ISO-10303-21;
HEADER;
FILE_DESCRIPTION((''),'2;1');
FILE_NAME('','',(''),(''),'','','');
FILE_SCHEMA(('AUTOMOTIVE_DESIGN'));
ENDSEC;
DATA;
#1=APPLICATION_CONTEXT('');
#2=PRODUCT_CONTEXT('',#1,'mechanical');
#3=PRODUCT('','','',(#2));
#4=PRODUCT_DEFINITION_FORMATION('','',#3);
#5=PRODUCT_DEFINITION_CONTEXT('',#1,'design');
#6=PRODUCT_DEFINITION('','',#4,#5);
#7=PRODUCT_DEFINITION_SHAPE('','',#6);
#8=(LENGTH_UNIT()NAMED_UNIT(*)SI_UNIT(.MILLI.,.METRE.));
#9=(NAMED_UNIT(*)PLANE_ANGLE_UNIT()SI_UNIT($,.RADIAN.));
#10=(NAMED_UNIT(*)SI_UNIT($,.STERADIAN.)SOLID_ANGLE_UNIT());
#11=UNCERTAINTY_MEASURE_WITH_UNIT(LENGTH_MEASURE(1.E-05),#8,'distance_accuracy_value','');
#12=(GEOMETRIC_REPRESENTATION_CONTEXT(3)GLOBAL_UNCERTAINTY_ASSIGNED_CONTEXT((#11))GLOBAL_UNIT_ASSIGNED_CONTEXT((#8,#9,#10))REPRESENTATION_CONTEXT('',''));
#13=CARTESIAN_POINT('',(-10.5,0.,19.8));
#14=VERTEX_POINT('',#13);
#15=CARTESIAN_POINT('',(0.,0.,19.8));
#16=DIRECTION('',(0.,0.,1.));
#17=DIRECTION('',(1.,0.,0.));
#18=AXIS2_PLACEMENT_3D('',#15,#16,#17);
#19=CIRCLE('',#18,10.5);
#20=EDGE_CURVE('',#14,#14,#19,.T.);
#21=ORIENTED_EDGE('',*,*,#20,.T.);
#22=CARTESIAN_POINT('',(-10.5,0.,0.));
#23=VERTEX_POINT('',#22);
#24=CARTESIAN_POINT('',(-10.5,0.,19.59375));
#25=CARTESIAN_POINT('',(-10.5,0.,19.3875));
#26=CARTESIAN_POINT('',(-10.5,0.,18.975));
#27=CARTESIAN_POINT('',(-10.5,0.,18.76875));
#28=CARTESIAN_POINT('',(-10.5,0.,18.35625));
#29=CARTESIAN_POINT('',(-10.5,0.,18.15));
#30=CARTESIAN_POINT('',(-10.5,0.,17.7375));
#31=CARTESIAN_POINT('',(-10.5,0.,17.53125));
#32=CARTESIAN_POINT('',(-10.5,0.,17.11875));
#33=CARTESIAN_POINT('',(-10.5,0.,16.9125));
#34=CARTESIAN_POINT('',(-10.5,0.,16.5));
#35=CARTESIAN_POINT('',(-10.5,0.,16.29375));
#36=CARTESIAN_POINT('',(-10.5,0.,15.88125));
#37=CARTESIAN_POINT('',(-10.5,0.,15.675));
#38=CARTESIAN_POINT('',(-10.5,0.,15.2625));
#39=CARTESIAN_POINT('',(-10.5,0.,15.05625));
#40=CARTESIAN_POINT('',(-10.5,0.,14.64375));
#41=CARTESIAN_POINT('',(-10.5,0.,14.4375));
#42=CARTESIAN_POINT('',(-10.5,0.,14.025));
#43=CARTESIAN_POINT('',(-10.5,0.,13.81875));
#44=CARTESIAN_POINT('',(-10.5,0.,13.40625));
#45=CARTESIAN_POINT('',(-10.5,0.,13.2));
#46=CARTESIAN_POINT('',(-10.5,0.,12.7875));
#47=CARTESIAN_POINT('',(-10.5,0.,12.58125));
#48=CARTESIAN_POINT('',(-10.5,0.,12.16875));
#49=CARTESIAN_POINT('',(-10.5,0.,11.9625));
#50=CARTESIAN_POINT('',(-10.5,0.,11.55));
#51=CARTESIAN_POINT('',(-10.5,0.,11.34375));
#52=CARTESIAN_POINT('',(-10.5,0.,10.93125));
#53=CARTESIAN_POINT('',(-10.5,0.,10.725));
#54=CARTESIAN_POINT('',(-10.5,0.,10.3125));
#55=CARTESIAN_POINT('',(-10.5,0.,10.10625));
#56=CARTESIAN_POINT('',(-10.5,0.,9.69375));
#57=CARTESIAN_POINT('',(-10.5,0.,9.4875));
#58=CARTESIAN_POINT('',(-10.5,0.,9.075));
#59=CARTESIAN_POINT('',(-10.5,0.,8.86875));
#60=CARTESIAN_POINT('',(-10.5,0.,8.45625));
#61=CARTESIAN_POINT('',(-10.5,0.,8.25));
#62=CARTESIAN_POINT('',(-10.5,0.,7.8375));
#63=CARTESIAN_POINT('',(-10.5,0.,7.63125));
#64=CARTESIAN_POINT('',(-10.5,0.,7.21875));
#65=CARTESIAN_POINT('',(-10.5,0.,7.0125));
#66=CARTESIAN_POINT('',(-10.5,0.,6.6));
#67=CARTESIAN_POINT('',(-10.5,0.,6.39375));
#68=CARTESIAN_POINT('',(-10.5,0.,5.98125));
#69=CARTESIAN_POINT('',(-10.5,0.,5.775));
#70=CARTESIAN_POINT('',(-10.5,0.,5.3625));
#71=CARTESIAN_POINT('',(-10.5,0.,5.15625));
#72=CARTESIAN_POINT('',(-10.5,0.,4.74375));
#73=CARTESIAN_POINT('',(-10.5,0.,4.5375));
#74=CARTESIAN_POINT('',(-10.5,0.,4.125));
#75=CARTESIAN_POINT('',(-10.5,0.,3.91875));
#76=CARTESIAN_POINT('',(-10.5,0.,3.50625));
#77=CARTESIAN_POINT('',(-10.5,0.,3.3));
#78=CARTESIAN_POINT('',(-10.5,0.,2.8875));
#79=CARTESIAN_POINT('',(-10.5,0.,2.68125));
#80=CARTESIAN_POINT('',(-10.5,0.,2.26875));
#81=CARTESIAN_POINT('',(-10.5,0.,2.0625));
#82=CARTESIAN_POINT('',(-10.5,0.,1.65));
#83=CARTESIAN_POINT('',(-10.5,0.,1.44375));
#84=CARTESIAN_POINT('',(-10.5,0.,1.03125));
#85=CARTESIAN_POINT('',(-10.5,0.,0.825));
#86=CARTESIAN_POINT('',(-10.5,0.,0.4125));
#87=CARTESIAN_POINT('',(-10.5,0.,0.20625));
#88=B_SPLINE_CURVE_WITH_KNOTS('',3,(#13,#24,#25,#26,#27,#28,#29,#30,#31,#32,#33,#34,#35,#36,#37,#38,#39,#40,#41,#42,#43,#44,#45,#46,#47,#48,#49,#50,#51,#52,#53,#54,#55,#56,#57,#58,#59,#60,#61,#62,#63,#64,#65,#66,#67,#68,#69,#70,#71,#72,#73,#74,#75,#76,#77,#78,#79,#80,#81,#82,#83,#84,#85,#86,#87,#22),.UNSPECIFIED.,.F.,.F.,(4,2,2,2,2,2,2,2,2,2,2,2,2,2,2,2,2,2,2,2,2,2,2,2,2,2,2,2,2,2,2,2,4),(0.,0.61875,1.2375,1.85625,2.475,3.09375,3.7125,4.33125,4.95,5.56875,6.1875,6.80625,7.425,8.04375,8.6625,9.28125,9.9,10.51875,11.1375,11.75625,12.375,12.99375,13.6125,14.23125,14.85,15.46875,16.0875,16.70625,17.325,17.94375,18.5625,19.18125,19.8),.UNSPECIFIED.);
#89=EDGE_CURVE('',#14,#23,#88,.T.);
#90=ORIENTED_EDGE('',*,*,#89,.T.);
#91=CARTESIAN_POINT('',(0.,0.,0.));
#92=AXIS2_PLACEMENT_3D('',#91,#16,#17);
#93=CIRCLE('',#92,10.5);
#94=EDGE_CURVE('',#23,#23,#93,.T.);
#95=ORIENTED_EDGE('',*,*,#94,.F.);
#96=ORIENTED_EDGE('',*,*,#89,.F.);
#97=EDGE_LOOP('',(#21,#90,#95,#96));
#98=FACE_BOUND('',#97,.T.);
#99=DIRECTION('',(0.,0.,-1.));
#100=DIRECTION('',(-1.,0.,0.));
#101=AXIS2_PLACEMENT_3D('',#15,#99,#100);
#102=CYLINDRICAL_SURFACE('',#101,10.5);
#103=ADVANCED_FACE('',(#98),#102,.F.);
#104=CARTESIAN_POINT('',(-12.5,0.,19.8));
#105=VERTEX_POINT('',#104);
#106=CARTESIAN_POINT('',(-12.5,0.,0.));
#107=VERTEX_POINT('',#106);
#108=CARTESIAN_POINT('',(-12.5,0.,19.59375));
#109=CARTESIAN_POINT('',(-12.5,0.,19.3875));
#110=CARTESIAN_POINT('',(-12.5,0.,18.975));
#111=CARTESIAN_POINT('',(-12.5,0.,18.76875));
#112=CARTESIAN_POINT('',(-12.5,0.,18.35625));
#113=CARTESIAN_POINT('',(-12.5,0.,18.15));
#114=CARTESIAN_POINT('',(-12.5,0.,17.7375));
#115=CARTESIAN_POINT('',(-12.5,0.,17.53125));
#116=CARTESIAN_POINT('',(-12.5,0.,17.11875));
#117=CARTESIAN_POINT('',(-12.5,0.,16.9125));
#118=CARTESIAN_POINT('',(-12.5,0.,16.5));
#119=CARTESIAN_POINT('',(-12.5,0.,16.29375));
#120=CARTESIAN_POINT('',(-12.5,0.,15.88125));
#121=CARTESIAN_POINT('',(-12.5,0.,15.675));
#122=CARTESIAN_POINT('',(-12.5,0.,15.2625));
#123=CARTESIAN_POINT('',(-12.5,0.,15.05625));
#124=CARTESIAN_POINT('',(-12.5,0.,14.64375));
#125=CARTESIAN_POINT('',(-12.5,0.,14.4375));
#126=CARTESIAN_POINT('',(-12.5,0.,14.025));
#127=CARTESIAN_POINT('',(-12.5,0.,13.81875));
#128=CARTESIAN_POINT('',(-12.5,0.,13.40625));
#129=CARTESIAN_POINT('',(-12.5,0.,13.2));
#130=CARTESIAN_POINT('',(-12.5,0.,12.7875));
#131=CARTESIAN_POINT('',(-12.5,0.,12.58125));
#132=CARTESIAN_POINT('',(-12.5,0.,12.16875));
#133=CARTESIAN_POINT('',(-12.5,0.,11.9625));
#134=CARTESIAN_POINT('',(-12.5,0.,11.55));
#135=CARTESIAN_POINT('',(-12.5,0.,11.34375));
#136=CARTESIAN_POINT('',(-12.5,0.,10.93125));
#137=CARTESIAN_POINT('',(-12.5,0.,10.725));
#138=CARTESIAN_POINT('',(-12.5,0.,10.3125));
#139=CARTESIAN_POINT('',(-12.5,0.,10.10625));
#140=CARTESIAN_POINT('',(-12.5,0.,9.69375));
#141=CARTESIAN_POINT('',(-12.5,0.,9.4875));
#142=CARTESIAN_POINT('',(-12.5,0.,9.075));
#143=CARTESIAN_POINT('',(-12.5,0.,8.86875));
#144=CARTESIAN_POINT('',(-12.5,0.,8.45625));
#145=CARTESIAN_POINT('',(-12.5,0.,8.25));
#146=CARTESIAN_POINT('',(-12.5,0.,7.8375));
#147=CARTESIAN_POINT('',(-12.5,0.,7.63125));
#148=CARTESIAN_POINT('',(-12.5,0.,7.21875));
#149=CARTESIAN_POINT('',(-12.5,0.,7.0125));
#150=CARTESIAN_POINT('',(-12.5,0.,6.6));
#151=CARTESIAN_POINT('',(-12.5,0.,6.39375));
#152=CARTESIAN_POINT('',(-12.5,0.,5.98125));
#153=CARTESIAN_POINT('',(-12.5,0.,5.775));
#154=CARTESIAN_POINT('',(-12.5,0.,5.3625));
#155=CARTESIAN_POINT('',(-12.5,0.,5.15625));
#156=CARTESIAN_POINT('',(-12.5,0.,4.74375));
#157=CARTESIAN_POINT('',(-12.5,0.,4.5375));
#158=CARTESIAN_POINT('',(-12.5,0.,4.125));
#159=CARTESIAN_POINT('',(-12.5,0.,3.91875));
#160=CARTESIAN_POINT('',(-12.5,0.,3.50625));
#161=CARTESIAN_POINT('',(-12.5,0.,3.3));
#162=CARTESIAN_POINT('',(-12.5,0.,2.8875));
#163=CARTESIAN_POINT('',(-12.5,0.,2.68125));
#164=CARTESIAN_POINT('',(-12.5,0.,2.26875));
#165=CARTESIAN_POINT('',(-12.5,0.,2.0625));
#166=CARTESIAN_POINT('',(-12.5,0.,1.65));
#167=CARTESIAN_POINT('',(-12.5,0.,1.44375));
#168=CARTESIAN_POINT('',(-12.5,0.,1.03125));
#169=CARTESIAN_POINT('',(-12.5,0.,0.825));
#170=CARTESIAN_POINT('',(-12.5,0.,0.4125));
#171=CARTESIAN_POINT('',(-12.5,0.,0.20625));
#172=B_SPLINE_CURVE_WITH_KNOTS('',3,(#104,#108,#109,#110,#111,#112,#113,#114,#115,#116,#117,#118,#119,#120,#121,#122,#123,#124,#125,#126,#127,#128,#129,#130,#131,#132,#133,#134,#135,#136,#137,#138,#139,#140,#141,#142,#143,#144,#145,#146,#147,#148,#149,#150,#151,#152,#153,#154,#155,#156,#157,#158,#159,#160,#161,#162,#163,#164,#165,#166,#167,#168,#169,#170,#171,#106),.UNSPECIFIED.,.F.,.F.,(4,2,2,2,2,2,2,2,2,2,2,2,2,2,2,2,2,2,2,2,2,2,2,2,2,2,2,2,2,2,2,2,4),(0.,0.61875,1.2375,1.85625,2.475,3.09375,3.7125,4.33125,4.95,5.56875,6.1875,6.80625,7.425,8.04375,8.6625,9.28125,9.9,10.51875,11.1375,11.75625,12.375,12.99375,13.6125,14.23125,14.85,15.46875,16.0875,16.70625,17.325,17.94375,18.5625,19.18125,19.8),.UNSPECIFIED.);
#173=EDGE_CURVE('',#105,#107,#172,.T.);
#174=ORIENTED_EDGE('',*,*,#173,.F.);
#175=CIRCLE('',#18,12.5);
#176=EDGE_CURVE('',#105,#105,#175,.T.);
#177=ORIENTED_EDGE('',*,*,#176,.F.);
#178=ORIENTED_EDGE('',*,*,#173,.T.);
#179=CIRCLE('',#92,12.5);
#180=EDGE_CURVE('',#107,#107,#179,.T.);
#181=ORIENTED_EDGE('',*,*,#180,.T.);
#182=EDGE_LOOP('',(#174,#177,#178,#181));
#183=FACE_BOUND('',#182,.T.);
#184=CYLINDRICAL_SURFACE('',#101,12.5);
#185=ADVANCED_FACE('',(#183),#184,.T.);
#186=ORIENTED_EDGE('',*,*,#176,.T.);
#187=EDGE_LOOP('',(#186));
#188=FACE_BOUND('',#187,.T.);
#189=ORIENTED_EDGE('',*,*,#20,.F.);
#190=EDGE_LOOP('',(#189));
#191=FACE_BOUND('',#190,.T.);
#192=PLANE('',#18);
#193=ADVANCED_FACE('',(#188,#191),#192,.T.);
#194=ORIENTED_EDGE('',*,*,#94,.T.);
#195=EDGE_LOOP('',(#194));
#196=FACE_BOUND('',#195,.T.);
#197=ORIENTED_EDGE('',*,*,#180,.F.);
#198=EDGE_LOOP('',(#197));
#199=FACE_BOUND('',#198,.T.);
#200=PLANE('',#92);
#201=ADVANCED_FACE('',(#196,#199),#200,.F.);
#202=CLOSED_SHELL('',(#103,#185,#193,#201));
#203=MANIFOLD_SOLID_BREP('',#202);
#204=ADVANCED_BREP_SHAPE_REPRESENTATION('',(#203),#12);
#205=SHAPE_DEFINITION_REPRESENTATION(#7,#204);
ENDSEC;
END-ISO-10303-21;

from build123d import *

# Parameters (mm, degrees)
ESBO_O1_R                = 12.5
ESBO_O1_R_2              = 10.5
RESSALTO_EXTRUS_O1_DEPTH = 19.8


with BuildPart() as part:
    # Esboço1 → Ressalto-extrusão1 (new body)
    with BuildSketch(Plane.XY):
        with Locations(Location((0, 0, 0), (0, 0, 180))):
            Circle(ESBO_O1_R)
        with Locations(Location((0, 0, 0), (0, 0, 180))):
            Circle(ESBO_O1_R_2, mode=Mode.SUBTRACT)
    extrude(amount=RESSALTO_EXTRUS_O1_DEPTH)


solid = part.part
